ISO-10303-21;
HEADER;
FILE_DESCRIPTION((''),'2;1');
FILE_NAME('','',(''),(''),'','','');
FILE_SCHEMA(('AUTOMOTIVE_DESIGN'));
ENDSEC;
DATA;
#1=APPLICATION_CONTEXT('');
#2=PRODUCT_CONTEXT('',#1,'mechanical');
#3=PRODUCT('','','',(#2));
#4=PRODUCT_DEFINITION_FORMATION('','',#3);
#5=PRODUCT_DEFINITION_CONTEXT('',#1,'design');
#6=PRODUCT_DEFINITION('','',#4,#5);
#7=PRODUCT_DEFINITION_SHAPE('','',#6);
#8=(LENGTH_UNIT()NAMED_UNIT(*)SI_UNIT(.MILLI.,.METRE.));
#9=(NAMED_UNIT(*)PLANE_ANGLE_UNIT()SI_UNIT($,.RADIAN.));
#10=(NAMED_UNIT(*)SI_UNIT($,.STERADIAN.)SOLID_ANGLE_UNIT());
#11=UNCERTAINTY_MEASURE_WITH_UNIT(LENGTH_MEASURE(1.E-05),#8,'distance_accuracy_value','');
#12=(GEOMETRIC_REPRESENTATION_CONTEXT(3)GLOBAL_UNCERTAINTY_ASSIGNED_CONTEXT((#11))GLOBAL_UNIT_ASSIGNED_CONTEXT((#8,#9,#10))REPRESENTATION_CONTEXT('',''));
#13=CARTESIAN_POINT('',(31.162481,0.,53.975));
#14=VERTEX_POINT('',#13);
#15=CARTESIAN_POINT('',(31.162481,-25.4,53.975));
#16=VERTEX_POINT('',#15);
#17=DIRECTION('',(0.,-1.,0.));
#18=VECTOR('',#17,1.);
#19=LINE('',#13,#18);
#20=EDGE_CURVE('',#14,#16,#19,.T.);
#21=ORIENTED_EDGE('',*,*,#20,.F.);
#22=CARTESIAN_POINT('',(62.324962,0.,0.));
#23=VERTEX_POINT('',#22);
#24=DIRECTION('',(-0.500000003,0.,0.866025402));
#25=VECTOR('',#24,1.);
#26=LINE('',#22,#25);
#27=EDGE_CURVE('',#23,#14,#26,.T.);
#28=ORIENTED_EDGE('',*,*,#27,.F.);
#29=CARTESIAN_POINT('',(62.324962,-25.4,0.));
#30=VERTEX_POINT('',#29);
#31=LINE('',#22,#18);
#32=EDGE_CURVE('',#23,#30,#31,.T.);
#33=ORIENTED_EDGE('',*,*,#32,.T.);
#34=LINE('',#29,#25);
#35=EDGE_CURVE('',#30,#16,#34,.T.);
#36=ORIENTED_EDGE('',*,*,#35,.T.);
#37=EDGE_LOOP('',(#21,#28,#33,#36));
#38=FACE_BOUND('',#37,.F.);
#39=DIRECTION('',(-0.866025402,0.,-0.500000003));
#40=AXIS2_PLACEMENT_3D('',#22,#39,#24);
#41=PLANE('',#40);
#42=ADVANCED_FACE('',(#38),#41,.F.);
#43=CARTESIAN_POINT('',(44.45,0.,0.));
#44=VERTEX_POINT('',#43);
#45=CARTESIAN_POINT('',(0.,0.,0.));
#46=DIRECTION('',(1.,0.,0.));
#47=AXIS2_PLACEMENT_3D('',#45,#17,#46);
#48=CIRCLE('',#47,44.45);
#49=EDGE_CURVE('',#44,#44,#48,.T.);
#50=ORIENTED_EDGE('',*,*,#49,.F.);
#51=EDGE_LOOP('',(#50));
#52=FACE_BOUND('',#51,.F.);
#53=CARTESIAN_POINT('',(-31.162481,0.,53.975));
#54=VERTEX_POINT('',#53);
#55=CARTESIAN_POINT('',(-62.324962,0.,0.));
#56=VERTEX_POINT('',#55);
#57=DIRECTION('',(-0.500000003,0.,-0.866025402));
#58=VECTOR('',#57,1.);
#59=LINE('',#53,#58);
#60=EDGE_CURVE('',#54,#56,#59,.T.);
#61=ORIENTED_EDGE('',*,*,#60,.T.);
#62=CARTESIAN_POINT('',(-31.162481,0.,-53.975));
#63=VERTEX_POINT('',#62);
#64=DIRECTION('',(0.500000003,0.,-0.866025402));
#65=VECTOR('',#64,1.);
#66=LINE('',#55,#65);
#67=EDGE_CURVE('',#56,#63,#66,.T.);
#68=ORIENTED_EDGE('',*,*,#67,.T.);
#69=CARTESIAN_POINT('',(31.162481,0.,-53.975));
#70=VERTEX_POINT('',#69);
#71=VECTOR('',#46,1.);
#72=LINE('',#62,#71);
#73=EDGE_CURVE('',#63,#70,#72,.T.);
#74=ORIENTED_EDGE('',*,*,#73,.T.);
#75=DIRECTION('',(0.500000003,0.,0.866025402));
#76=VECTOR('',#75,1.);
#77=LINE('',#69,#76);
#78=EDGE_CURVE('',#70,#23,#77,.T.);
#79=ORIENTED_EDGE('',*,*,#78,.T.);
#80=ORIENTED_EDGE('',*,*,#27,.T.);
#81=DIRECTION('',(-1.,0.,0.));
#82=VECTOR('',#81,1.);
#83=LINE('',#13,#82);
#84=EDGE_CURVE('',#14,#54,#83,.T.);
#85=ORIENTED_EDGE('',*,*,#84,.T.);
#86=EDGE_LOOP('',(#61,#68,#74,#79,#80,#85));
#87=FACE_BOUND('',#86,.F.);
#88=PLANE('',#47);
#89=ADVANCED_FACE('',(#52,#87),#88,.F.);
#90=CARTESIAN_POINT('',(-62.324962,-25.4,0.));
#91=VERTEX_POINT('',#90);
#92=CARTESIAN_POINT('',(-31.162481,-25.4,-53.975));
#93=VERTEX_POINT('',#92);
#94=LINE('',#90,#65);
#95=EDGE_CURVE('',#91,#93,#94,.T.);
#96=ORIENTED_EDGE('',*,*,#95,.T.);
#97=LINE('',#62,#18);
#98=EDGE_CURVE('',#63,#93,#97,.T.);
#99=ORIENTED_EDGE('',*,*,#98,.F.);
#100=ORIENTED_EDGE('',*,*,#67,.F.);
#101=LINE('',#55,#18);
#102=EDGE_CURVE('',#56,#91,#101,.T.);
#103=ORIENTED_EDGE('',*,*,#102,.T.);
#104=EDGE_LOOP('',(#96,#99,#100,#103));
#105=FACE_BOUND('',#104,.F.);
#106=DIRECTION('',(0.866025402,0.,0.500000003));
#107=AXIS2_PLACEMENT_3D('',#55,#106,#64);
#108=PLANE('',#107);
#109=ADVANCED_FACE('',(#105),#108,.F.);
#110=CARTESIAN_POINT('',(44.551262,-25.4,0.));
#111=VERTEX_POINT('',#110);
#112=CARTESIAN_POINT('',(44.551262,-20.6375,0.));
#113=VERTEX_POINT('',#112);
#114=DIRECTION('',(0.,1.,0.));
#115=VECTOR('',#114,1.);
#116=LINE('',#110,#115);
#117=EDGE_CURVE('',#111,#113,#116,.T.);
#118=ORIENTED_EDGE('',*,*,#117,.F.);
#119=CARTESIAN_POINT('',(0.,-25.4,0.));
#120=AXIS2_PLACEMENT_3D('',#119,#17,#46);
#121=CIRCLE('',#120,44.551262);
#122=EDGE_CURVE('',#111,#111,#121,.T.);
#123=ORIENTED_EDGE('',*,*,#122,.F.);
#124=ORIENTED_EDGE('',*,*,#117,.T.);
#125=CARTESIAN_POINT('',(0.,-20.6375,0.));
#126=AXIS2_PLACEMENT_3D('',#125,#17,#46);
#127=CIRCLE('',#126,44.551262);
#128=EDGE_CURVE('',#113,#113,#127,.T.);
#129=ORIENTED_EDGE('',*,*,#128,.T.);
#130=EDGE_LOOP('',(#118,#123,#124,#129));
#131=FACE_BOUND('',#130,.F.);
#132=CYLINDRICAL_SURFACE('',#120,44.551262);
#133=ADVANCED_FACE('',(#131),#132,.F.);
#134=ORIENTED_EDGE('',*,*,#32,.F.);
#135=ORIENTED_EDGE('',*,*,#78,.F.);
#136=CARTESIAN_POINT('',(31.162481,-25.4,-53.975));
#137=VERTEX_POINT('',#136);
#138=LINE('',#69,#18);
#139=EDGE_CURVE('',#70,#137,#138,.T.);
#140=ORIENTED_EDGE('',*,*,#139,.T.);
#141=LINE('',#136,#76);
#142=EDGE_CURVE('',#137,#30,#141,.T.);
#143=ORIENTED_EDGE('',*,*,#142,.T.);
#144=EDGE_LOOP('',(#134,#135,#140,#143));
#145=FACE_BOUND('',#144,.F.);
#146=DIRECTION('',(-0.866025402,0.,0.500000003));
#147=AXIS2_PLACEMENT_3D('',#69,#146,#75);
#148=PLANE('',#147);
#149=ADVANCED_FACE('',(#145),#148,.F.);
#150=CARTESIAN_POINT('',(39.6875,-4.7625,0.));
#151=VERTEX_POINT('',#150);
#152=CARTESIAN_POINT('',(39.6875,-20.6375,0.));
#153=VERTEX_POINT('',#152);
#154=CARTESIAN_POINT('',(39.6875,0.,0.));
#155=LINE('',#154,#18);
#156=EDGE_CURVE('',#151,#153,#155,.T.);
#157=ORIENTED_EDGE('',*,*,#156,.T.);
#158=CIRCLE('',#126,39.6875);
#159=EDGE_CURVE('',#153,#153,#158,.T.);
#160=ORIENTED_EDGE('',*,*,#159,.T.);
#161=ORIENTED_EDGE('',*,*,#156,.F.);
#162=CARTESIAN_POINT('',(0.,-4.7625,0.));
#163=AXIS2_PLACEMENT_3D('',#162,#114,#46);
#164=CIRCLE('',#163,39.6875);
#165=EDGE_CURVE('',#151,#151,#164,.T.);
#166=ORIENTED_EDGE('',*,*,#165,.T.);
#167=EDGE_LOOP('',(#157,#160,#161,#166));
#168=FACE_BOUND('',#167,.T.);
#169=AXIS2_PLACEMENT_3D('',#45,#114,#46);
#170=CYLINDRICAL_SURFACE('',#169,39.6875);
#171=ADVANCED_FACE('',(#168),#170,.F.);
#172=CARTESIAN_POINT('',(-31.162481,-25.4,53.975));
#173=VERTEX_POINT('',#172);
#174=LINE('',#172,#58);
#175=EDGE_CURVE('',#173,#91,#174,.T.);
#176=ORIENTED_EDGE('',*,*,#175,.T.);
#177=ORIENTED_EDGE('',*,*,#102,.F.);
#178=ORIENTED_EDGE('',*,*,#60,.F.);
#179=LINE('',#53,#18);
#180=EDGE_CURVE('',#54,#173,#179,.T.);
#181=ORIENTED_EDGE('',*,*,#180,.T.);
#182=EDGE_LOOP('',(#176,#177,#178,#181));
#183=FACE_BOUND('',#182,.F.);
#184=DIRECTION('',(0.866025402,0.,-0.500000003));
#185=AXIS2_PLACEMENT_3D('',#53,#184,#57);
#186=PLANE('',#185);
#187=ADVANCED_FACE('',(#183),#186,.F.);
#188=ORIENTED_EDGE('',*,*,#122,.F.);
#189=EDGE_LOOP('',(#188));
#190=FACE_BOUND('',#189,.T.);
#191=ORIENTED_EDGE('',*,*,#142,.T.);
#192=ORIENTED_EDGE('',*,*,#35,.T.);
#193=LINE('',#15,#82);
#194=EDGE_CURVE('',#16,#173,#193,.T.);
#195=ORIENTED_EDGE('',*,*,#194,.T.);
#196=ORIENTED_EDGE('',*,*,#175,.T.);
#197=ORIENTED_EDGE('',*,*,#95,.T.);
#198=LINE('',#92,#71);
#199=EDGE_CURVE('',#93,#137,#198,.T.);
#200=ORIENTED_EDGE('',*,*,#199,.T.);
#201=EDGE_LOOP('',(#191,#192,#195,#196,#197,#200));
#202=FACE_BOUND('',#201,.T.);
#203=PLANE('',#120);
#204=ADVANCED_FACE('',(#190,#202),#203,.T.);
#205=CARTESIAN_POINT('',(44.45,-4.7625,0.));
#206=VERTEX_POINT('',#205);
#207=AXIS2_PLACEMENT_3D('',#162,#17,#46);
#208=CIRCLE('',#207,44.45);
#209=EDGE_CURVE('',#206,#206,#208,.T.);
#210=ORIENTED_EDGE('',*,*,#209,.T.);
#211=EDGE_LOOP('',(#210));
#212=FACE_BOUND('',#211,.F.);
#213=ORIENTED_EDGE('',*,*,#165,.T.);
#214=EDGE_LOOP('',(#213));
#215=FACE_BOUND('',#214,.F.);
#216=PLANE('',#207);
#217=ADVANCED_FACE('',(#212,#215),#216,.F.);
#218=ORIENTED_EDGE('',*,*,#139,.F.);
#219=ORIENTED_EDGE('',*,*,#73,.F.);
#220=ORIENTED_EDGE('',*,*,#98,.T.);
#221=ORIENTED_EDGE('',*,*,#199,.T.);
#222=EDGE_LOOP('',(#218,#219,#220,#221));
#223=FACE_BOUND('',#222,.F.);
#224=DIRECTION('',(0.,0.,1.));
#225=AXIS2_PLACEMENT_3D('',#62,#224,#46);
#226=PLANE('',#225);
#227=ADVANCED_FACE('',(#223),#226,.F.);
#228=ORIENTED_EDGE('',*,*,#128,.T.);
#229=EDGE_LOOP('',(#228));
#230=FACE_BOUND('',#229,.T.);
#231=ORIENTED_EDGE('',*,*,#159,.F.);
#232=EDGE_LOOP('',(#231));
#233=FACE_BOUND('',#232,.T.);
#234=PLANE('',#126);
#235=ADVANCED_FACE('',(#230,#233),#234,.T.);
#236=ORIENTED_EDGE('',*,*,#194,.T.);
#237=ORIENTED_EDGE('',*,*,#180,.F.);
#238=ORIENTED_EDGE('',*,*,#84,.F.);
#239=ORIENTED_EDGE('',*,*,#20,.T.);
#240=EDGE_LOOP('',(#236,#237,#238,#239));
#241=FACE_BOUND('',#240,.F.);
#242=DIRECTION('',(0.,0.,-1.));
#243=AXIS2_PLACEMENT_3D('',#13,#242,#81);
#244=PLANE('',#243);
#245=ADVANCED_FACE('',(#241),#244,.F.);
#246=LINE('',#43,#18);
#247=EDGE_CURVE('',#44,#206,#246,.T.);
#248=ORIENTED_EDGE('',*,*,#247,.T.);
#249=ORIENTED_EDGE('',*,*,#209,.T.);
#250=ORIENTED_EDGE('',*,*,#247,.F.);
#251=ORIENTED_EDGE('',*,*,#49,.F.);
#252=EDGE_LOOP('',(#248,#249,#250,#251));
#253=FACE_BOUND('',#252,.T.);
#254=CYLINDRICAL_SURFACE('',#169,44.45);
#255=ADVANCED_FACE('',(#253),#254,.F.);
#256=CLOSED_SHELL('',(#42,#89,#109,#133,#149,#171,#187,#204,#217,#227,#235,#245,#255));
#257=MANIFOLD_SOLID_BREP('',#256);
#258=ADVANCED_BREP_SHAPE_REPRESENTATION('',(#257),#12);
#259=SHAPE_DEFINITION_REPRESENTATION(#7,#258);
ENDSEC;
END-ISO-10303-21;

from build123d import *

# Parameters (mm, degrees)
F0_R     = 39.6875
F1_DEPTH = 25.4
F2_R     = 44.45
F3_DEPTH = 4.7625
F4_R     = 44.551262
F4_R_2   = 39.6875
F5_DEPTH = 4.7625


with BuildPart() as f1:
    # F0 (on Front) → F1 (new body)
    with BuildSketch(Plane.XZ):
        Polygon((31.162481, 53.975), (-31.162481, 53.975), (-62.324962, 0), (-31.162481, -53.975), (31.162481, -53.975), (62.324962, 0), align=None)
        Circle(F0_R, mode=Mode.SUBTRACT)
    extrude(amount=F1_DEPTH)

    # F2 (on Front) → F3 (cut)
    with BuildSketch(Plane.XZ):
        Circle(F2_R)
    extrude(amount=F3_DEPTH, mode=Mode.SUBTRACT)

    # F4 (on face) → F5 (cut)
    with BuildSketch(Plane.XZ.offset(25.4)):
        Circle(F4_R)
        Circle(F4_R_2, mode=Mode.SUBTRACT)
    extrude(amount=-F5_DEPTH, mode=Mode.SUBTRACT)


solid = f1.part
